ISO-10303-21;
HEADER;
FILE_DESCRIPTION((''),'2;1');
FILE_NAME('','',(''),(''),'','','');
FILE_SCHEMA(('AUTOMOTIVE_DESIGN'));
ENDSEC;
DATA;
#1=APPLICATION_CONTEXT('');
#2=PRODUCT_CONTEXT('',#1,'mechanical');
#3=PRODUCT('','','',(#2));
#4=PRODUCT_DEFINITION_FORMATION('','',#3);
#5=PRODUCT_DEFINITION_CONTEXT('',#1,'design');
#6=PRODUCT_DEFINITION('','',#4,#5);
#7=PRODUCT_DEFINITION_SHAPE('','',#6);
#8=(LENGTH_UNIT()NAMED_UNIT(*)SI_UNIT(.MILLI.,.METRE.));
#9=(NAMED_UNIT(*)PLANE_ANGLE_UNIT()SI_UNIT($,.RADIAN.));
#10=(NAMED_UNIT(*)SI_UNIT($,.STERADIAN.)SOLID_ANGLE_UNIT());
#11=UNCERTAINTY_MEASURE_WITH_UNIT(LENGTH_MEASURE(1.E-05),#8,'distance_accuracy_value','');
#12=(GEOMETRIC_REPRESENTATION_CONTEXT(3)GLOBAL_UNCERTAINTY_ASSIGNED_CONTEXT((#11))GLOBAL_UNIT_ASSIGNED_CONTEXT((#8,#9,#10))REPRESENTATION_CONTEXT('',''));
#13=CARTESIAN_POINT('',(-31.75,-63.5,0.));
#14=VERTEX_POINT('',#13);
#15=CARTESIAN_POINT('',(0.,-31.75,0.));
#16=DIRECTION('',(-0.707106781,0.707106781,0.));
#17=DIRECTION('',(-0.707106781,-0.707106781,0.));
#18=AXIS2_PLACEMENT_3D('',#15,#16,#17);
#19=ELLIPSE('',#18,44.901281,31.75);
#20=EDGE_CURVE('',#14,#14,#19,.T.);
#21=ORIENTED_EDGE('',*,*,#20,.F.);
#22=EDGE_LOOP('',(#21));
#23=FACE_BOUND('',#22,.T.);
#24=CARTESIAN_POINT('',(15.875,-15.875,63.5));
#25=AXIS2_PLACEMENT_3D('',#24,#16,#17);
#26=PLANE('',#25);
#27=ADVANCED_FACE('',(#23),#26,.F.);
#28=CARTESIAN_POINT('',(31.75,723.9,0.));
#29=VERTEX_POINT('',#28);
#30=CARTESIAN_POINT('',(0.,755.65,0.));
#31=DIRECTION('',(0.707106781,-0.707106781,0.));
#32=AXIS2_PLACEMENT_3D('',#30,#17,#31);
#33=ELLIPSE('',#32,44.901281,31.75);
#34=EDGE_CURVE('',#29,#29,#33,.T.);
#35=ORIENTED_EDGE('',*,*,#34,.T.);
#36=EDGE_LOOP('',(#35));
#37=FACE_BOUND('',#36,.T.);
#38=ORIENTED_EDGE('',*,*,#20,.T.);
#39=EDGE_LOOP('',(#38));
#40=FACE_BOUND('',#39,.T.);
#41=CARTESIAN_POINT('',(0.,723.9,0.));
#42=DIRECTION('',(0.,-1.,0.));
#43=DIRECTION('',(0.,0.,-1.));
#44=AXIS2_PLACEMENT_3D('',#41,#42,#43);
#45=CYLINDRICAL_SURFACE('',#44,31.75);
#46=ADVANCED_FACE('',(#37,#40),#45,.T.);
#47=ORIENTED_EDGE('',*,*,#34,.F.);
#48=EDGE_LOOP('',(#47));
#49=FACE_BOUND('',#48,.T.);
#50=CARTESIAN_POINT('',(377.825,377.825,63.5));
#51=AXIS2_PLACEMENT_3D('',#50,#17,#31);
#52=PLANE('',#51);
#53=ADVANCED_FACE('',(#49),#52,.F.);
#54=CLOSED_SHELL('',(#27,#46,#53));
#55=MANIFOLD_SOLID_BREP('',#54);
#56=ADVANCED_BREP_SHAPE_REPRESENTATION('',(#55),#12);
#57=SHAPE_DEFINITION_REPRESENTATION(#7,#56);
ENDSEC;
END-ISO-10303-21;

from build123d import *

# Parameters (mm, degrees)
SKETCH1_R               = 31.75
BOSS_EXTRUDE1_DEPTH     = 723.9
SKETCH4_R               = 31.75
BOSS_EXTRUDE2_DEPTH     = 63.5
BOSS_EXTRUDE3_START     = 63.5
SKETCH5_R               = 31.75
BOSS_EXTRUDE3_DEPTH     = 63.5
CUT_EXTRUDE2_DEPTH      = 63.5
CUT_EXTRUDE2_DEPTH_BACK = 63.5


with BuildPart() as part:
    # Sketch1 → Boss-Extrude1 (new body)
    with BuildSketch(Plane(origin=(0, 0, 0), x_dir=(1, 0, 0), z_dir=(0, 1, 0))):
        Circle(SKETCH1_R)
    extrude(amount=BOSS_EXTRUDE1_DEPTH)

    # Sketch4 → Boss-Extrude2 (add)
    with BuildSketch(Plane(origin=(0, 723.9, 0), x_dir=(1, 0, 0), z_dir=(0, 1, 0))):
        Circle(SKETCH4_R)
    extrude(amount=BOSS_EXTRUDE2_DEPTH)

    # Sketch5 → Boss-Extrude3 (add)
    with BuildSketch(Plane.XZ.offset(BOSS_EXTRUDE3_START)):
        Circle(SKETCH5_R)
    extrude(amount=-BOSS_EXTRUDE3_DEPTH)

    # Sketch2 → Cut-Extrude2 (cut, two sides: drawn at the far end of the back side and taken through both)
    with BuildSketch(Plane.XY.offset(-CUT_EXTRUDE2_DEPTH_BACK)):
        Polygon((-31.75, 787.4), (31.75, 723.9), (31.75, 787.4), align=None)
        Polygon((31.75, -63.5), (31.75, 0), (-31.75, -63.5), align=None)
    extrude(amount=CUT_EXTRUDE2_DEPTH + CUT_EXTRUDE2_DEPTH_BACK, mode=Mode.SUBTRACT)


solid = part.part
